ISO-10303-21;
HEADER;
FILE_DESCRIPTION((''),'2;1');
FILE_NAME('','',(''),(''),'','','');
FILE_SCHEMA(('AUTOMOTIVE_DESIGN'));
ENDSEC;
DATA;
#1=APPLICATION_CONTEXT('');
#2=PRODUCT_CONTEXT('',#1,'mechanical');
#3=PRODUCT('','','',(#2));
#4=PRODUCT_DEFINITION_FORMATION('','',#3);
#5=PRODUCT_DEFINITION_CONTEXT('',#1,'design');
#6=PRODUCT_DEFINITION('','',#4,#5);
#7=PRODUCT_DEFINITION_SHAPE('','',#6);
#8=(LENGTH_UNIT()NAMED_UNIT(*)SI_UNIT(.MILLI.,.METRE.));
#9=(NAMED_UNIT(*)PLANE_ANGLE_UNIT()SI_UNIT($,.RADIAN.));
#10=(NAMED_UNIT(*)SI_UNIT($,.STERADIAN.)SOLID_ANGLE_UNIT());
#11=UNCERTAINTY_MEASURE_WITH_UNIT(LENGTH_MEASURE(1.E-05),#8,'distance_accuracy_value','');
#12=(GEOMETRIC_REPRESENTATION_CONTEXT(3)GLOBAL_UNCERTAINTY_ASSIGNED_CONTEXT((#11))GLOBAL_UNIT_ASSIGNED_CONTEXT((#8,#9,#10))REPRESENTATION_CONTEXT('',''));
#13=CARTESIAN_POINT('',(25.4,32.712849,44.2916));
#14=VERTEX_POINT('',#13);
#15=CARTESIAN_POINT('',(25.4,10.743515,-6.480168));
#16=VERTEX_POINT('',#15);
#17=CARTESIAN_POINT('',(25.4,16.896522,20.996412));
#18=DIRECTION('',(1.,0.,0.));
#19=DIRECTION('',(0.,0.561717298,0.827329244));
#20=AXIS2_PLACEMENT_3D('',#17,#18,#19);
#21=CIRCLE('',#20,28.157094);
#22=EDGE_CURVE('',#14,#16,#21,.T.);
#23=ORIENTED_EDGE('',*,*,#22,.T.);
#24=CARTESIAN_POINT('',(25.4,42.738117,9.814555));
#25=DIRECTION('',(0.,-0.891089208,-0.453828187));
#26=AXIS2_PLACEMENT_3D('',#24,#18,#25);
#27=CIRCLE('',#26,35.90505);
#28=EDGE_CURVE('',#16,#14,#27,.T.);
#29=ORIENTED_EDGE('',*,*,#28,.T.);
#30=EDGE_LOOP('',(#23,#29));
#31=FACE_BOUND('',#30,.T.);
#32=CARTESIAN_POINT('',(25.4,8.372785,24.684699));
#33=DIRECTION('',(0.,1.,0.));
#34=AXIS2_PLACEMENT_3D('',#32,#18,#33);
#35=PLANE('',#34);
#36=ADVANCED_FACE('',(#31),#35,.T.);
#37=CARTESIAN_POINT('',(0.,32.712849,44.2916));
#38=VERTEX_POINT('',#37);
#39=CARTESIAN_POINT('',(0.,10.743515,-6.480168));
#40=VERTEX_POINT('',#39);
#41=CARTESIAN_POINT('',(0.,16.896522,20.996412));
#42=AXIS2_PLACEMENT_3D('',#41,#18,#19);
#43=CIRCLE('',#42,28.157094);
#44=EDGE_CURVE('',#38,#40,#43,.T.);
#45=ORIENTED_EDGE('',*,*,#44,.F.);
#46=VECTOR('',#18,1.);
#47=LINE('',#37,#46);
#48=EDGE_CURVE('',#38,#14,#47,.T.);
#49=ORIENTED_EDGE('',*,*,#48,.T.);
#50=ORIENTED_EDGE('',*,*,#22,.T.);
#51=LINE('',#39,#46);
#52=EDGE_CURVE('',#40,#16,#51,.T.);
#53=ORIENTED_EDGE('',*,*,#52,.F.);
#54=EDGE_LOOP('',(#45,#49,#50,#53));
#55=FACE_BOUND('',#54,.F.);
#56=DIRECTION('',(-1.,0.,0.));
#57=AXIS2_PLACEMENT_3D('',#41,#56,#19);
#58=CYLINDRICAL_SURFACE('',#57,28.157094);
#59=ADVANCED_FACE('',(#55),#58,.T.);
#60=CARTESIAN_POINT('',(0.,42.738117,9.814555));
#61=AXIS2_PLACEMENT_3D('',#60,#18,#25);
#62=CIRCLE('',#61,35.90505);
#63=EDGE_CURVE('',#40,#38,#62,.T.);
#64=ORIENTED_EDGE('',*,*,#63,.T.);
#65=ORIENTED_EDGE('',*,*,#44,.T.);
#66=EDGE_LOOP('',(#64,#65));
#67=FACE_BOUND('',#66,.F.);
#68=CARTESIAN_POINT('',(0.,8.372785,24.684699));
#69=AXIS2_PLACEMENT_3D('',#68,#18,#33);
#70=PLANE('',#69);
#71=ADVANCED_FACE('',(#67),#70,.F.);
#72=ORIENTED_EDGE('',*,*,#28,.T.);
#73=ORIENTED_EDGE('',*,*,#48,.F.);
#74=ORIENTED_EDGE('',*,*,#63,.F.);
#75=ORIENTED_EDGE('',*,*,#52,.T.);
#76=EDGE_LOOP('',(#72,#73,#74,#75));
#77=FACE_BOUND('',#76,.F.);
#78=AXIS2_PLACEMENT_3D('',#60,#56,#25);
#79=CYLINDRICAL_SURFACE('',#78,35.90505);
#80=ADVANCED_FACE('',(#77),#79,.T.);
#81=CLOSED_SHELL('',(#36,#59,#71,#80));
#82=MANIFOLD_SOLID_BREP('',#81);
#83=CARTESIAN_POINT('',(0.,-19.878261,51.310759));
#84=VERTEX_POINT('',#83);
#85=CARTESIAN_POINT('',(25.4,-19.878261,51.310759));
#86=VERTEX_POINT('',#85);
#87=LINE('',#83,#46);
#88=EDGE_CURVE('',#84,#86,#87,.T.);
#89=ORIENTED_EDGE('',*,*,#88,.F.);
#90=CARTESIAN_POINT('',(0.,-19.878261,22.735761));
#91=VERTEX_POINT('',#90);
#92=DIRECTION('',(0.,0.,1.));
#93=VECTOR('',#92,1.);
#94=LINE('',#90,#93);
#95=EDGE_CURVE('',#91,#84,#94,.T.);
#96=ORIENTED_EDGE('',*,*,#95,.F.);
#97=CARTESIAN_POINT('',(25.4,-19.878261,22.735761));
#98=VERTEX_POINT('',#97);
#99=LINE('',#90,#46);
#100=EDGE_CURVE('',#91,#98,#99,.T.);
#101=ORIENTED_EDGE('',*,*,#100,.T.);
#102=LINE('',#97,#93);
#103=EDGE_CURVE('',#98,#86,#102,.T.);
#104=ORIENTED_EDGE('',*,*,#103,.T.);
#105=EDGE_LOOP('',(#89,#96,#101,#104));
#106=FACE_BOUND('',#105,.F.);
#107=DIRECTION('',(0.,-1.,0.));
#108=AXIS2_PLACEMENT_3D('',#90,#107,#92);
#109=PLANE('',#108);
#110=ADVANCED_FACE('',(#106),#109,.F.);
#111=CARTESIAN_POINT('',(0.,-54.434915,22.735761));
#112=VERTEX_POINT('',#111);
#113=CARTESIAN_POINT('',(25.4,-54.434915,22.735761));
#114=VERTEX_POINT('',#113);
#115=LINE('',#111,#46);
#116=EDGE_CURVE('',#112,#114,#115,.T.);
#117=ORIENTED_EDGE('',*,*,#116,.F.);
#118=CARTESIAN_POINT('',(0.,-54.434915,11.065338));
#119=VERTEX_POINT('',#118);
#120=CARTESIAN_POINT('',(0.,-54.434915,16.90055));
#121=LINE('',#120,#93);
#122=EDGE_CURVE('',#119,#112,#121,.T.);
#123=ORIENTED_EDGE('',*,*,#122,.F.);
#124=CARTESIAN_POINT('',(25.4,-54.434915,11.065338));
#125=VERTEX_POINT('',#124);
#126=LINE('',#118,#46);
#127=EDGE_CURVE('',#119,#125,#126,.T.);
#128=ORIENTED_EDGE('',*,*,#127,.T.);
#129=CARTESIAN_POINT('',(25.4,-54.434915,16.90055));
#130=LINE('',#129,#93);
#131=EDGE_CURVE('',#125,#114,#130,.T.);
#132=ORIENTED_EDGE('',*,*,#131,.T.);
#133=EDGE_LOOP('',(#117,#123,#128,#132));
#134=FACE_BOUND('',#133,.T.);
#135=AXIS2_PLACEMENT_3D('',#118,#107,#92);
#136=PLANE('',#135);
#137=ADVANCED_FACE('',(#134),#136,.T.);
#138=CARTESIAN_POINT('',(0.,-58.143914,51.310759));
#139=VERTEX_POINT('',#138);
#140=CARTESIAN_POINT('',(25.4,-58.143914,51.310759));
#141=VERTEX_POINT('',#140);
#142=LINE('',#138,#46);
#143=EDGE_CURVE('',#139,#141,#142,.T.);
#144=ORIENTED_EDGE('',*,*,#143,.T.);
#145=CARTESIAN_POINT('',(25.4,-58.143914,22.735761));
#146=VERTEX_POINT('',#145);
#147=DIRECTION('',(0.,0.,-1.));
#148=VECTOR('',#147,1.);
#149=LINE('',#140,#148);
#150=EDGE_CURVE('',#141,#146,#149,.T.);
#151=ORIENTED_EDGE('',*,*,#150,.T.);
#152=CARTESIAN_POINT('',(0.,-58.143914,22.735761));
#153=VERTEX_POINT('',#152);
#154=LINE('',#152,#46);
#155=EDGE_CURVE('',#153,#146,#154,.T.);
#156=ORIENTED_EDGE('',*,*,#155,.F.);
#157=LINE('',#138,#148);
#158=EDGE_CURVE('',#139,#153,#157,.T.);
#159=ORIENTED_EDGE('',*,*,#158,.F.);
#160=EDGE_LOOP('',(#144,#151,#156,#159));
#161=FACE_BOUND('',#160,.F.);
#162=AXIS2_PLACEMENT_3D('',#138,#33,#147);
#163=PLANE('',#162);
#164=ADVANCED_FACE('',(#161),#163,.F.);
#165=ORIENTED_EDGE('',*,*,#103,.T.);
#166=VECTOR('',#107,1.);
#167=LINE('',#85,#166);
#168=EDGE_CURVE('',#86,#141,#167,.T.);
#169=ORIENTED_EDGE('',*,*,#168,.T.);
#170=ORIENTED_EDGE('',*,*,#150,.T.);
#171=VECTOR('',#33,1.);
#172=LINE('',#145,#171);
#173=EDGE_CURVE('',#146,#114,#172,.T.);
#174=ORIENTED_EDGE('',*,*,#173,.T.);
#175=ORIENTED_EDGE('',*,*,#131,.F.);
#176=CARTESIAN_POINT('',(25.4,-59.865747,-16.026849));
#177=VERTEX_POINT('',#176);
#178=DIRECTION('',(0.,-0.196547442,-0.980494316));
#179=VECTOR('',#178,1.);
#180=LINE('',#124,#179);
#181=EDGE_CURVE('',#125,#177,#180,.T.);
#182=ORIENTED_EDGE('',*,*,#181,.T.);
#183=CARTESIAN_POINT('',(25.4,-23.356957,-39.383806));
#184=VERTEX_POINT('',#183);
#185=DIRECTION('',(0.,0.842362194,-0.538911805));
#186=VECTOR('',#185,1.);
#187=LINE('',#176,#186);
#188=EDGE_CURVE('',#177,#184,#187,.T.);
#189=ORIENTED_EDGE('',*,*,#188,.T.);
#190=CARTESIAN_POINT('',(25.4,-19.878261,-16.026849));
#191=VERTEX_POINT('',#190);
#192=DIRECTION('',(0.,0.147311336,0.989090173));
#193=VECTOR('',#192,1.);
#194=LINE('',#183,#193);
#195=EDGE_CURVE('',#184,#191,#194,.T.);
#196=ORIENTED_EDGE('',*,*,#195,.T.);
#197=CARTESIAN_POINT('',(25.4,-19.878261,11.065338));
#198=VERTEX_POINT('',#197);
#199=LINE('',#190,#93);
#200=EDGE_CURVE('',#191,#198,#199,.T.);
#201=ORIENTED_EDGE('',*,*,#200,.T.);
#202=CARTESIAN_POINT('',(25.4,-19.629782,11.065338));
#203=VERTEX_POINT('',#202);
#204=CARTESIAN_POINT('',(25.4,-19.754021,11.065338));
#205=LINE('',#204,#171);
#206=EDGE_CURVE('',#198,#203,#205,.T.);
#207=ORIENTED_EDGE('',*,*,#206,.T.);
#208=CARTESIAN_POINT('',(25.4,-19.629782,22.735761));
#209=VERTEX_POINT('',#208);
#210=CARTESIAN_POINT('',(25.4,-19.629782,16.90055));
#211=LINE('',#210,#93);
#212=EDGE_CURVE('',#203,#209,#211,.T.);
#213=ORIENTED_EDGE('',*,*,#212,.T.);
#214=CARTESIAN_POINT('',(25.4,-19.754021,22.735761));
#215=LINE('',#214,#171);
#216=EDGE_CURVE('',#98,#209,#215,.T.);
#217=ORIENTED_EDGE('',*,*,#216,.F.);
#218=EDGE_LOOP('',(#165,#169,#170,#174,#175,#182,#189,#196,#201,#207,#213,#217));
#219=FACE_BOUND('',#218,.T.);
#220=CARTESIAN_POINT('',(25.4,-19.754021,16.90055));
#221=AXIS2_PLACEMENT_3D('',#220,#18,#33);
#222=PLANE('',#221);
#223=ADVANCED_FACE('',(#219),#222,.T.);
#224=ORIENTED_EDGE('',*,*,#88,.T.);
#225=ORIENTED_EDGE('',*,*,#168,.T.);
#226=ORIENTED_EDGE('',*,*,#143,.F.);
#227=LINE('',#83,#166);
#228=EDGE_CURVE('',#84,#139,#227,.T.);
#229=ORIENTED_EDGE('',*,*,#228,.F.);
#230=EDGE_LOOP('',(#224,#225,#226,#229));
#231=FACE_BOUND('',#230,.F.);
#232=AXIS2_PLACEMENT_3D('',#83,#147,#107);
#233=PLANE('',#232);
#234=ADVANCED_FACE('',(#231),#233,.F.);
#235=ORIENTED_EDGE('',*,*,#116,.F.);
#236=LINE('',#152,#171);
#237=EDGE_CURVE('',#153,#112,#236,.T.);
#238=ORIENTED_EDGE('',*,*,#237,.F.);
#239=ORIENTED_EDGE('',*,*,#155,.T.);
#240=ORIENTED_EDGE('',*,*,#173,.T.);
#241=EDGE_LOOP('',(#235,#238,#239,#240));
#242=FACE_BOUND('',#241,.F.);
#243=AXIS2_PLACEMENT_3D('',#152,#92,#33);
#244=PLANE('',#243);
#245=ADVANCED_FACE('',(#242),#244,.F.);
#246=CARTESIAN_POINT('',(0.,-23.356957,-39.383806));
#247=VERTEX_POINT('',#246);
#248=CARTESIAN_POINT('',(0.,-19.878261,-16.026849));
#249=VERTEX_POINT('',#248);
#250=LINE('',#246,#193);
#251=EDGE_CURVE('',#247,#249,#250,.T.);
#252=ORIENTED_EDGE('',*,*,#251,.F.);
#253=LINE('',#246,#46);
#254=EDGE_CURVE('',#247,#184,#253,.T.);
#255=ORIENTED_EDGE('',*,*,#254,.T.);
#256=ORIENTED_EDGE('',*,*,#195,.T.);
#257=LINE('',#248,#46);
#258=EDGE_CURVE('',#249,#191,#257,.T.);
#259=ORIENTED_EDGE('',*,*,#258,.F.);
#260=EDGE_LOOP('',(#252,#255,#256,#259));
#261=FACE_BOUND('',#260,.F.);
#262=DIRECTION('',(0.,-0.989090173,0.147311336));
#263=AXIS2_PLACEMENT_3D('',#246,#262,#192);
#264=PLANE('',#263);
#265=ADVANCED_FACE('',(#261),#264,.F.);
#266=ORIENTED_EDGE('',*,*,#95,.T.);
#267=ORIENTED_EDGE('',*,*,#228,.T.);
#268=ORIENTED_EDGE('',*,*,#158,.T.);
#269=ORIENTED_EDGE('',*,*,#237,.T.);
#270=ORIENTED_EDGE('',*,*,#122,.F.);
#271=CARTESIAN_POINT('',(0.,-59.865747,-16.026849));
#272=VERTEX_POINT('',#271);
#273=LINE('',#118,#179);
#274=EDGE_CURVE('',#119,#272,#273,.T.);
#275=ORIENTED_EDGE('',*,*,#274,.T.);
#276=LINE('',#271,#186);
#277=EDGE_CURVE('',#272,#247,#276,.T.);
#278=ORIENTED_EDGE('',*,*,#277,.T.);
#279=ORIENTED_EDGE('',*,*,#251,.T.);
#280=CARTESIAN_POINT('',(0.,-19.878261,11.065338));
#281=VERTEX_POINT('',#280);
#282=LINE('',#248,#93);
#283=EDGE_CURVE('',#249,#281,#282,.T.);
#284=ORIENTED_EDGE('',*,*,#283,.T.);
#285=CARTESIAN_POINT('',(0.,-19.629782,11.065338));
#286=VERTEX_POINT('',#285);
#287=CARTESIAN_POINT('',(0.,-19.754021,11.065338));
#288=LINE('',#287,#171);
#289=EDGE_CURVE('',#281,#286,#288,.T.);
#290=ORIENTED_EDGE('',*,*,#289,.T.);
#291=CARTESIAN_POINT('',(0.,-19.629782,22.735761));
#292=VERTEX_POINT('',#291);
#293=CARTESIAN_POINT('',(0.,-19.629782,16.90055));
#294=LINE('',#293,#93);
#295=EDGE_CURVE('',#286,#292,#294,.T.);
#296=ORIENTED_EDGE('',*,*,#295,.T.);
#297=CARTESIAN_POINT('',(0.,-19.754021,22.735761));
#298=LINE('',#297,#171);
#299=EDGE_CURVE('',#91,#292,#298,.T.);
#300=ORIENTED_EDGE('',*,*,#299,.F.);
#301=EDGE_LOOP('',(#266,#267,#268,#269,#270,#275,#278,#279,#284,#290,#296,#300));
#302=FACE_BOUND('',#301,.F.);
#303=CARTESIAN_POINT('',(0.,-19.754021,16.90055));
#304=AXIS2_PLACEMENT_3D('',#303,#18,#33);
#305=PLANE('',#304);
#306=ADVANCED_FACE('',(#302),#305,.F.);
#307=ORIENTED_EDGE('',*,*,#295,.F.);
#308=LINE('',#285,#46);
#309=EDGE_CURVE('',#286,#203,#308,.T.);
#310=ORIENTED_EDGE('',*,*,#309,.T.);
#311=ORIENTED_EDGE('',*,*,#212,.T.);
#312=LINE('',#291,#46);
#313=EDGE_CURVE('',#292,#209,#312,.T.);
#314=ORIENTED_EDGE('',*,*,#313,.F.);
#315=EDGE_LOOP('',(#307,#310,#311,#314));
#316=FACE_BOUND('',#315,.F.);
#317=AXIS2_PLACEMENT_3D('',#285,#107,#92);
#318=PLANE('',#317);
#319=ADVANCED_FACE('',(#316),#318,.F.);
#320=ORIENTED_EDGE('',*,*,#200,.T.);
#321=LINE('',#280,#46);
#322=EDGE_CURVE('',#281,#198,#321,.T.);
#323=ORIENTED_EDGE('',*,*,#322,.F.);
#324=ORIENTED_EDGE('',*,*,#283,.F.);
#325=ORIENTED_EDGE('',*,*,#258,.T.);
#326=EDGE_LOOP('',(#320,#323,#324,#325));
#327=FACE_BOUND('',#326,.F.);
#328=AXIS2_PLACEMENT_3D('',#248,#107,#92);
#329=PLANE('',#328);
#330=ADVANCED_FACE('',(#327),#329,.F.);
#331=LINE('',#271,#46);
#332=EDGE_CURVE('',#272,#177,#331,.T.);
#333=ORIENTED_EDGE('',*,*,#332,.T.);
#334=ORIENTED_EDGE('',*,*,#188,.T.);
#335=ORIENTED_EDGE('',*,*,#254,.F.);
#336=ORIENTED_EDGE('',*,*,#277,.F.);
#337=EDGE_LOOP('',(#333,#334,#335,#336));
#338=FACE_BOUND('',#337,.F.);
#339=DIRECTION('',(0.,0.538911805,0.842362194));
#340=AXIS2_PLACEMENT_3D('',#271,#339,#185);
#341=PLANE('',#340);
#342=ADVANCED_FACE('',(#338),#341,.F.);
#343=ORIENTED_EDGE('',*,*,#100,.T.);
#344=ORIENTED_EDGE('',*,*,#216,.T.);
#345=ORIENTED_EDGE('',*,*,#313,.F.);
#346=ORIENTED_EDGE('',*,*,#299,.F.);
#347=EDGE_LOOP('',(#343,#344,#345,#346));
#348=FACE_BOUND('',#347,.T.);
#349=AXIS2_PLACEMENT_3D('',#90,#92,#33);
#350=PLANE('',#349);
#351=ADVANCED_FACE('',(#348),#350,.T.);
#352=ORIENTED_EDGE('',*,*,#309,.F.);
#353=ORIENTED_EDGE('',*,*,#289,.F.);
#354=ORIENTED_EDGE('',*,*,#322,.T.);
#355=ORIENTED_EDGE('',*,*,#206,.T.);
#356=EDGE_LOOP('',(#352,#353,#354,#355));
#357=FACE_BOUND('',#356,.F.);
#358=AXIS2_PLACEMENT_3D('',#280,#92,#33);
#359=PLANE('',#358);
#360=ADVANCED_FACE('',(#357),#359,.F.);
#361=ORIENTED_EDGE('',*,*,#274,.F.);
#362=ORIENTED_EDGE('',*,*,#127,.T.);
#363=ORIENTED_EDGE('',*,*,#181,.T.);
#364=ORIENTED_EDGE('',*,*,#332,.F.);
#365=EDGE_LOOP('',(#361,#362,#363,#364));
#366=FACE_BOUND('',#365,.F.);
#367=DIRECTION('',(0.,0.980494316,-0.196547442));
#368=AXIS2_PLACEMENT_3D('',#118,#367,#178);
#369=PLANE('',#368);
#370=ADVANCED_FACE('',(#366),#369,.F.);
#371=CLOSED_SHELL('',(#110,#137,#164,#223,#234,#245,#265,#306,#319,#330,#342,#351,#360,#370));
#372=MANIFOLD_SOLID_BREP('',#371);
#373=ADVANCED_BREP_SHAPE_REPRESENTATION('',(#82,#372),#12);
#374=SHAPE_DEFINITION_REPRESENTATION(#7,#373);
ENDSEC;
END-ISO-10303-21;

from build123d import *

# Parameters (mm, degrees)
F0_W     = 0.2484787256
F0_H     = 11.6704234847
F0_W_2   = 34.5566543078
F1_DEPTH = 25.4


with BuildPart() as f1:
    # F0 (on Right) → F1 (new body)
    with BuildSketch(Plane.YZ):
        with Locations((-19.7540214285, 16.9005497362)):
            Rectangle(F0_W, F0_H)
        Polygon((-19.8782607913, -16.0268489271), (-59.8657472271, -16.0268489271), (-23.3569573611, -39.3838062882), align=None)
        Polygon((-58.1439137459, 22.7357614785), (-54.4349150991, 22.7357614785), (-19.8782607913, 22.7357614785), (-19.8782607913, 51.3107590377), (-58.1439137459, 51.3107590377), align=None)
        Polygon((-54.4349150991, 11.0653379939), (-56.6530451179, 0), (-19.8782607913, 0), (-19.8782607913, 11.0653379939), align=None)
        Polygon((-19.8782607913, 0), (-56.6530451179, 0), (-59.8657472271, -16.0268489271), (-19.8782607913, -16.0268489271), align=None)
        with Locations((-37.1565879452, 16.9005497362)):
            Rectangle(F0_W_2, F0_H)
    extrude(amount=F1_DEPTH)


with BuildPart() as f1b:
    # F0 (on Right) → F1, piece 2 (new body)
    with BuildSketch(Plane.YZ):
        with BuildLine():
            ThreePointArc((10.7435146003, -6.4801681734), (9.7857196096, 24.0733109393), (32.7128486809, 44.2915999293))
            ThreePointArc((32.7128486809, 44.2915999293), (-8.945073617, 32.1782690562), (10.7435146003, -6.4801681734))
        make_face()
        with BuildLine():
            ThreePointArc((32.7128486809, 44.2915999293), (41.7778779667, 34.1774621992), (45.0536161334, 20.9964122623))
            ThreePointArc((45.0536161334, 20.9964122623), (34.4972484633, -0.9816764834), (10.7435146003, -6.4801681734))
            ThreePointArc((10.7435146003, -6.4801681734), (51.1168044711, -25.0991981896), (78.6431667306, 9.8145554684))
            ThreePointArc((78.6431667306, 9.8145554684), (64.2928709887, 38.5297984193), (32.7128486809, 44.2915999293))
        make_face()
        with BuildLine():
            ThreePointArc((10.7435146003, -6.4801681734), (34.4972484633, -0.9816764834), (45.0536161334, 20.9964122623))
            ThreePointArc((45.0536161334, 20.9964122623), (41.7778779667, 34.1774621992), (32.7128486809, 44.2915999293))
            ThreePointArc((32.7128486809, 44.2915999293), (9.7857196096, 24.0733109393), (10.7435146003, -6.4801681734))
        make_face()
    extrude(amount=F1_DEPTH)


solid = Compound([f1.part, f1b.part])
